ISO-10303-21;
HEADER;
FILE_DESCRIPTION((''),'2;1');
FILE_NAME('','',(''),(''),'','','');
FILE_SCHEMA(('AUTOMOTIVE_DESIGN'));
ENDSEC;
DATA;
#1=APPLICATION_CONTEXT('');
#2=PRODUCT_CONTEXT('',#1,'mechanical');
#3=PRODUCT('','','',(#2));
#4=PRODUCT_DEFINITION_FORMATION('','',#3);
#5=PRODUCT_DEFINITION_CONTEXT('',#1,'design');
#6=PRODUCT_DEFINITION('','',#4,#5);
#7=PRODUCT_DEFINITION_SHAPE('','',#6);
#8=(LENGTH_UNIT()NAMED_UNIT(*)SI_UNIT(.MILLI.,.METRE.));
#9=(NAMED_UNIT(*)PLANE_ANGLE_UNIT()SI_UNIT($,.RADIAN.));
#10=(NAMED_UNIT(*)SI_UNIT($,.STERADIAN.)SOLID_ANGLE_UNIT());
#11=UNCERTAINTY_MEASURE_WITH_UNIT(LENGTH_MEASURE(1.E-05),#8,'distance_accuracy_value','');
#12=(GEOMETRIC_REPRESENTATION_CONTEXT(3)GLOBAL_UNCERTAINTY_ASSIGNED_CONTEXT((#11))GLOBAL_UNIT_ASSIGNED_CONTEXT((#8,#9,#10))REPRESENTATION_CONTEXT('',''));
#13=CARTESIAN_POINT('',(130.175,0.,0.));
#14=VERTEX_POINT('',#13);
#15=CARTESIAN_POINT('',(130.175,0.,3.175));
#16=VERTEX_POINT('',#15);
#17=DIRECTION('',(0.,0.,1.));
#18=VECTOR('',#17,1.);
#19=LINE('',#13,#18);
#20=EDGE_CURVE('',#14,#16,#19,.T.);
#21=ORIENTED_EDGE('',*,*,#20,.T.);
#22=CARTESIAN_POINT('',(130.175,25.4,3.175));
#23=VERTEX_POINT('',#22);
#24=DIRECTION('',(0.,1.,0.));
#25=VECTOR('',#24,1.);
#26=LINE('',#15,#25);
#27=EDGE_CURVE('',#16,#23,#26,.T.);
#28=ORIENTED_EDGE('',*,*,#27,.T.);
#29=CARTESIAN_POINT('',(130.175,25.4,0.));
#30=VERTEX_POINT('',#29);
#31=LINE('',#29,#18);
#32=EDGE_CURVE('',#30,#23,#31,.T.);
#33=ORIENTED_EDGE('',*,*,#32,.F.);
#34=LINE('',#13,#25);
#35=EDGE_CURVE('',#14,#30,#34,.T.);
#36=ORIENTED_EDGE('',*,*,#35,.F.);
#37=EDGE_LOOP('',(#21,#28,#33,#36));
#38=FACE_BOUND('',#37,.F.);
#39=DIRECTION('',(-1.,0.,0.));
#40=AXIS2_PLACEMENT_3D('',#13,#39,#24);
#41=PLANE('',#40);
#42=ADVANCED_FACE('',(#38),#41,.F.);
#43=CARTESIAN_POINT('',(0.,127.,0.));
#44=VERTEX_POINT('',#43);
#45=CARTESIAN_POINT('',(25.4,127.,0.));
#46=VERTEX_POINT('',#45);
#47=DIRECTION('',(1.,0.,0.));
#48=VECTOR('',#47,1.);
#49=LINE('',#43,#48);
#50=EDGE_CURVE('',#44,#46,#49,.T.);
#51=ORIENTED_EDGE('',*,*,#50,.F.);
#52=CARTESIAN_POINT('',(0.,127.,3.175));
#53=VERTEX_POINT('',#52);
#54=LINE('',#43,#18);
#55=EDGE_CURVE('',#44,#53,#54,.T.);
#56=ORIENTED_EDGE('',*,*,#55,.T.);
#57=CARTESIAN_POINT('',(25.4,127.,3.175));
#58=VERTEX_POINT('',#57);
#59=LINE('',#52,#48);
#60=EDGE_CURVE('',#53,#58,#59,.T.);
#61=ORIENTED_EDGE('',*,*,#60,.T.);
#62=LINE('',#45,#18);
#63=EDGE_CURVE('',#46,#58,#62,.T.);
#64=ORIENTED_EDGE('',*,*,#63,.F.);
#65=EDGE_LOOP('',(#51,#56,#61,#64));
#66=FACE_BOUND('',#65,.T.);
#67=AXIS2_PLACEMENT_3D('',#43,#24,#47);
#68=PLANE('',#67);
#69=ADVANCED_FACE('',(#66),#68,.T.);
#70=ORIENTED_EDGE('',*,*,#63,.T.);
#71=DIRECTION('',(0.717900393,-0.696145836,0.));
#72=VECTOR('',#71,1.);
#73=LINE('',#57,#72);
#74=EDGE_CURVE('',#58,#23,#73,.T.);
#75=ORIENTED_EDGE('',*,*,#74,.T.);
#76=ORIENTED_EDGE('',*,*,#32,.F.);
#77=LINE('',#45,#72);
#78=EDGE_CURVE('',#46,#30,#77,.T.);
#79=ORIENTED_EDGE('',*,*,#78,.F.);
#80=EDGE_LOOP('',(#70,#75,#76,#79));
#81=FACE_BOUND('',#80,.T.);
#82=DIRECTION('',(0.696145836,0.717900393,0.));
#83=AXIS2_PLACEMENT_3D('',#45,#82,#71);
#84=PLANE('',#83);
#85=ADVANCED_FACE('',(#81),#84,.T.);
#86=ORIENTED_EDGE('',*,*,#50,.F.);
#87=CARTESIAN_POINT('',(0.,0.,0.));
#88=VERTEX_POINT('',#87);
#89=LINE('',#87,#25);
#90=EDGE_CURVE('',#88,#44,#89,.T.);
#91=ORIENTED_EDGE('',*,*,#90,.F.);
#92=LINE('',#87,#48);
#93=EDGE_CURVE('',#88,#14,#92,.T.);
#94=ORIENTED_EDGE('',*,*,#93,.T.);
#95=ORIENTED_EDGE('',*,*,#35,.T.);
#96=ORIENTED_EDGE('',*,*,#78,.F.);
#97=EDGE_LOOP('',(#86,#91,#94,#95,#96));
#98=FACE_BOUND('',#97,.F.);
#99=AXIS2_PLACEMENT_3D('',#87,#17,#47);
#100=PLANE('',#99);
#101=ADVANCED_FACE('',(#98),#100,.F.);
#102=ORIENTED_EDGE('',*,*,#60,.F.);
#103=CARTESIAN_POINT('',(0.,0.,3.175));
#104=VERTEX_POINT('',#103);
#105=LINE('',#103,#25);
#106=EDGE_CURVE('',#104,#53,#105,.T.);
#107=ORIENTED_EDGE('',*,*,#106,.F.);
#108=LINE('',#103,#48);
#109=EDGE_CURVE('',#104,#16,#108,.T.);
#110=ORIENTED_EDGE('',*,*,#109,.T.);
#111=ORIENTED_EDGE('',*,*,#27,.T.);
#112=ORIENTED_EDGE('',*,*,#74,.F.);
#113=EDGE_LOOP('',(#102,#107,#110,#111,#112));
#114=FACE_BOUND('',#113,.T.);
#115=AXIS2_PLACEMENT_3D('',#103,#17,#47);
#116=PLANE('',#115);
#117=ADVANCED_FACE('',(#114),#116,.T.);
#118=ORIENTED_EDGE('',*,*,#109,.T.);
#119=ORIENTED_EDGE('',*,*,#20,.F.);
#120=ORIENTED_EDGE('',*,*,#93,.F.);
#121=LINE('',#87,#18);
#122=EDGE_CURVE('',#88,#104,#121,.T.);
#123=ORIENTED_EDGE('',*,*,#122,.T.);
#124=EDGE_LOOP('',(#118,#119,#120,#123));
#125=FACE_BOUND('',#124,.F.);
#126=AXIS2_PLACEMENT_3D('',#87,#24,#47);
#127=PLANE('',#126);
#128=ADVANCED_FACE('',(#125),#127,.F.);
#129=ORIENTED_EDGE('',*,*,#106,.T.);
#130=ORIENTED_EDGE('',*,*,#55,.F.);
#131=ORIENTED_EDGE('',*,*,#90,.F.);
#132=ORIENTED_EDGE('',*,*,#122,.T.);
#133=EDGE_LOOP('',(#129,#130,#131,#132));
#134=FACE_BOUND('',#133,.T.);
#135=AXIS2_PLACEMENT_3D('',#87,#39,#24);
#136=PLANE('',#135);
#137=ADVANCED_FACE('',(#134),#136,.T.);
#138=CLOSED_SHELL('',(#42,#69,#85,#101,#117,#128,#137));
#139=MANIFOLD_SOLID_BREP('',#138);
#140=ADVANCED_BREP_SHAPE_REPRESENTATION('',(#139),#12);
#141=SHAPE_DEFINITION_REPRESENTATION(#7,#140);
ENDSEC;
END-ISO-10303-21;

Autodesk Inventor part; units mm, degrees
ref_plane "YZ Plane" through (0, 0, 0) normal (1, 0, 0) x (0, 1, 0)
ref_plane "XZ Plane" through (0, 0, 0) normal (0, 1, 0) x (-1, 0, 0)
ref_plane "XY Plane" through (0, 0, 0) normal (0, 0, 1) x (1, 0, 0)
sketch "Sketch1" plane through (0, 0, 0) normal (0, 0, 1) x (1, 0, 0)
  line L0 (0, 0) -> (0, 127)
  line L1 (0, 0) -> (130.175, 0)
  line L2 (130.175, 0) -> (130.175, 25.4)
  line L3 (0, 127) -> (25.4, 127)
  line L4 (25.4, 127) -> (130.175, 25.4)
  dimension "d1" = 127
  dimension "d10" = 130.175
  dimension "d11" = 25.4
  dimension "d14" = 25.4
extrude "Extrusion4" add sketch "Sketch1" along normal blind 3.175
properties part number "brak1" material "Iron, Gray"
